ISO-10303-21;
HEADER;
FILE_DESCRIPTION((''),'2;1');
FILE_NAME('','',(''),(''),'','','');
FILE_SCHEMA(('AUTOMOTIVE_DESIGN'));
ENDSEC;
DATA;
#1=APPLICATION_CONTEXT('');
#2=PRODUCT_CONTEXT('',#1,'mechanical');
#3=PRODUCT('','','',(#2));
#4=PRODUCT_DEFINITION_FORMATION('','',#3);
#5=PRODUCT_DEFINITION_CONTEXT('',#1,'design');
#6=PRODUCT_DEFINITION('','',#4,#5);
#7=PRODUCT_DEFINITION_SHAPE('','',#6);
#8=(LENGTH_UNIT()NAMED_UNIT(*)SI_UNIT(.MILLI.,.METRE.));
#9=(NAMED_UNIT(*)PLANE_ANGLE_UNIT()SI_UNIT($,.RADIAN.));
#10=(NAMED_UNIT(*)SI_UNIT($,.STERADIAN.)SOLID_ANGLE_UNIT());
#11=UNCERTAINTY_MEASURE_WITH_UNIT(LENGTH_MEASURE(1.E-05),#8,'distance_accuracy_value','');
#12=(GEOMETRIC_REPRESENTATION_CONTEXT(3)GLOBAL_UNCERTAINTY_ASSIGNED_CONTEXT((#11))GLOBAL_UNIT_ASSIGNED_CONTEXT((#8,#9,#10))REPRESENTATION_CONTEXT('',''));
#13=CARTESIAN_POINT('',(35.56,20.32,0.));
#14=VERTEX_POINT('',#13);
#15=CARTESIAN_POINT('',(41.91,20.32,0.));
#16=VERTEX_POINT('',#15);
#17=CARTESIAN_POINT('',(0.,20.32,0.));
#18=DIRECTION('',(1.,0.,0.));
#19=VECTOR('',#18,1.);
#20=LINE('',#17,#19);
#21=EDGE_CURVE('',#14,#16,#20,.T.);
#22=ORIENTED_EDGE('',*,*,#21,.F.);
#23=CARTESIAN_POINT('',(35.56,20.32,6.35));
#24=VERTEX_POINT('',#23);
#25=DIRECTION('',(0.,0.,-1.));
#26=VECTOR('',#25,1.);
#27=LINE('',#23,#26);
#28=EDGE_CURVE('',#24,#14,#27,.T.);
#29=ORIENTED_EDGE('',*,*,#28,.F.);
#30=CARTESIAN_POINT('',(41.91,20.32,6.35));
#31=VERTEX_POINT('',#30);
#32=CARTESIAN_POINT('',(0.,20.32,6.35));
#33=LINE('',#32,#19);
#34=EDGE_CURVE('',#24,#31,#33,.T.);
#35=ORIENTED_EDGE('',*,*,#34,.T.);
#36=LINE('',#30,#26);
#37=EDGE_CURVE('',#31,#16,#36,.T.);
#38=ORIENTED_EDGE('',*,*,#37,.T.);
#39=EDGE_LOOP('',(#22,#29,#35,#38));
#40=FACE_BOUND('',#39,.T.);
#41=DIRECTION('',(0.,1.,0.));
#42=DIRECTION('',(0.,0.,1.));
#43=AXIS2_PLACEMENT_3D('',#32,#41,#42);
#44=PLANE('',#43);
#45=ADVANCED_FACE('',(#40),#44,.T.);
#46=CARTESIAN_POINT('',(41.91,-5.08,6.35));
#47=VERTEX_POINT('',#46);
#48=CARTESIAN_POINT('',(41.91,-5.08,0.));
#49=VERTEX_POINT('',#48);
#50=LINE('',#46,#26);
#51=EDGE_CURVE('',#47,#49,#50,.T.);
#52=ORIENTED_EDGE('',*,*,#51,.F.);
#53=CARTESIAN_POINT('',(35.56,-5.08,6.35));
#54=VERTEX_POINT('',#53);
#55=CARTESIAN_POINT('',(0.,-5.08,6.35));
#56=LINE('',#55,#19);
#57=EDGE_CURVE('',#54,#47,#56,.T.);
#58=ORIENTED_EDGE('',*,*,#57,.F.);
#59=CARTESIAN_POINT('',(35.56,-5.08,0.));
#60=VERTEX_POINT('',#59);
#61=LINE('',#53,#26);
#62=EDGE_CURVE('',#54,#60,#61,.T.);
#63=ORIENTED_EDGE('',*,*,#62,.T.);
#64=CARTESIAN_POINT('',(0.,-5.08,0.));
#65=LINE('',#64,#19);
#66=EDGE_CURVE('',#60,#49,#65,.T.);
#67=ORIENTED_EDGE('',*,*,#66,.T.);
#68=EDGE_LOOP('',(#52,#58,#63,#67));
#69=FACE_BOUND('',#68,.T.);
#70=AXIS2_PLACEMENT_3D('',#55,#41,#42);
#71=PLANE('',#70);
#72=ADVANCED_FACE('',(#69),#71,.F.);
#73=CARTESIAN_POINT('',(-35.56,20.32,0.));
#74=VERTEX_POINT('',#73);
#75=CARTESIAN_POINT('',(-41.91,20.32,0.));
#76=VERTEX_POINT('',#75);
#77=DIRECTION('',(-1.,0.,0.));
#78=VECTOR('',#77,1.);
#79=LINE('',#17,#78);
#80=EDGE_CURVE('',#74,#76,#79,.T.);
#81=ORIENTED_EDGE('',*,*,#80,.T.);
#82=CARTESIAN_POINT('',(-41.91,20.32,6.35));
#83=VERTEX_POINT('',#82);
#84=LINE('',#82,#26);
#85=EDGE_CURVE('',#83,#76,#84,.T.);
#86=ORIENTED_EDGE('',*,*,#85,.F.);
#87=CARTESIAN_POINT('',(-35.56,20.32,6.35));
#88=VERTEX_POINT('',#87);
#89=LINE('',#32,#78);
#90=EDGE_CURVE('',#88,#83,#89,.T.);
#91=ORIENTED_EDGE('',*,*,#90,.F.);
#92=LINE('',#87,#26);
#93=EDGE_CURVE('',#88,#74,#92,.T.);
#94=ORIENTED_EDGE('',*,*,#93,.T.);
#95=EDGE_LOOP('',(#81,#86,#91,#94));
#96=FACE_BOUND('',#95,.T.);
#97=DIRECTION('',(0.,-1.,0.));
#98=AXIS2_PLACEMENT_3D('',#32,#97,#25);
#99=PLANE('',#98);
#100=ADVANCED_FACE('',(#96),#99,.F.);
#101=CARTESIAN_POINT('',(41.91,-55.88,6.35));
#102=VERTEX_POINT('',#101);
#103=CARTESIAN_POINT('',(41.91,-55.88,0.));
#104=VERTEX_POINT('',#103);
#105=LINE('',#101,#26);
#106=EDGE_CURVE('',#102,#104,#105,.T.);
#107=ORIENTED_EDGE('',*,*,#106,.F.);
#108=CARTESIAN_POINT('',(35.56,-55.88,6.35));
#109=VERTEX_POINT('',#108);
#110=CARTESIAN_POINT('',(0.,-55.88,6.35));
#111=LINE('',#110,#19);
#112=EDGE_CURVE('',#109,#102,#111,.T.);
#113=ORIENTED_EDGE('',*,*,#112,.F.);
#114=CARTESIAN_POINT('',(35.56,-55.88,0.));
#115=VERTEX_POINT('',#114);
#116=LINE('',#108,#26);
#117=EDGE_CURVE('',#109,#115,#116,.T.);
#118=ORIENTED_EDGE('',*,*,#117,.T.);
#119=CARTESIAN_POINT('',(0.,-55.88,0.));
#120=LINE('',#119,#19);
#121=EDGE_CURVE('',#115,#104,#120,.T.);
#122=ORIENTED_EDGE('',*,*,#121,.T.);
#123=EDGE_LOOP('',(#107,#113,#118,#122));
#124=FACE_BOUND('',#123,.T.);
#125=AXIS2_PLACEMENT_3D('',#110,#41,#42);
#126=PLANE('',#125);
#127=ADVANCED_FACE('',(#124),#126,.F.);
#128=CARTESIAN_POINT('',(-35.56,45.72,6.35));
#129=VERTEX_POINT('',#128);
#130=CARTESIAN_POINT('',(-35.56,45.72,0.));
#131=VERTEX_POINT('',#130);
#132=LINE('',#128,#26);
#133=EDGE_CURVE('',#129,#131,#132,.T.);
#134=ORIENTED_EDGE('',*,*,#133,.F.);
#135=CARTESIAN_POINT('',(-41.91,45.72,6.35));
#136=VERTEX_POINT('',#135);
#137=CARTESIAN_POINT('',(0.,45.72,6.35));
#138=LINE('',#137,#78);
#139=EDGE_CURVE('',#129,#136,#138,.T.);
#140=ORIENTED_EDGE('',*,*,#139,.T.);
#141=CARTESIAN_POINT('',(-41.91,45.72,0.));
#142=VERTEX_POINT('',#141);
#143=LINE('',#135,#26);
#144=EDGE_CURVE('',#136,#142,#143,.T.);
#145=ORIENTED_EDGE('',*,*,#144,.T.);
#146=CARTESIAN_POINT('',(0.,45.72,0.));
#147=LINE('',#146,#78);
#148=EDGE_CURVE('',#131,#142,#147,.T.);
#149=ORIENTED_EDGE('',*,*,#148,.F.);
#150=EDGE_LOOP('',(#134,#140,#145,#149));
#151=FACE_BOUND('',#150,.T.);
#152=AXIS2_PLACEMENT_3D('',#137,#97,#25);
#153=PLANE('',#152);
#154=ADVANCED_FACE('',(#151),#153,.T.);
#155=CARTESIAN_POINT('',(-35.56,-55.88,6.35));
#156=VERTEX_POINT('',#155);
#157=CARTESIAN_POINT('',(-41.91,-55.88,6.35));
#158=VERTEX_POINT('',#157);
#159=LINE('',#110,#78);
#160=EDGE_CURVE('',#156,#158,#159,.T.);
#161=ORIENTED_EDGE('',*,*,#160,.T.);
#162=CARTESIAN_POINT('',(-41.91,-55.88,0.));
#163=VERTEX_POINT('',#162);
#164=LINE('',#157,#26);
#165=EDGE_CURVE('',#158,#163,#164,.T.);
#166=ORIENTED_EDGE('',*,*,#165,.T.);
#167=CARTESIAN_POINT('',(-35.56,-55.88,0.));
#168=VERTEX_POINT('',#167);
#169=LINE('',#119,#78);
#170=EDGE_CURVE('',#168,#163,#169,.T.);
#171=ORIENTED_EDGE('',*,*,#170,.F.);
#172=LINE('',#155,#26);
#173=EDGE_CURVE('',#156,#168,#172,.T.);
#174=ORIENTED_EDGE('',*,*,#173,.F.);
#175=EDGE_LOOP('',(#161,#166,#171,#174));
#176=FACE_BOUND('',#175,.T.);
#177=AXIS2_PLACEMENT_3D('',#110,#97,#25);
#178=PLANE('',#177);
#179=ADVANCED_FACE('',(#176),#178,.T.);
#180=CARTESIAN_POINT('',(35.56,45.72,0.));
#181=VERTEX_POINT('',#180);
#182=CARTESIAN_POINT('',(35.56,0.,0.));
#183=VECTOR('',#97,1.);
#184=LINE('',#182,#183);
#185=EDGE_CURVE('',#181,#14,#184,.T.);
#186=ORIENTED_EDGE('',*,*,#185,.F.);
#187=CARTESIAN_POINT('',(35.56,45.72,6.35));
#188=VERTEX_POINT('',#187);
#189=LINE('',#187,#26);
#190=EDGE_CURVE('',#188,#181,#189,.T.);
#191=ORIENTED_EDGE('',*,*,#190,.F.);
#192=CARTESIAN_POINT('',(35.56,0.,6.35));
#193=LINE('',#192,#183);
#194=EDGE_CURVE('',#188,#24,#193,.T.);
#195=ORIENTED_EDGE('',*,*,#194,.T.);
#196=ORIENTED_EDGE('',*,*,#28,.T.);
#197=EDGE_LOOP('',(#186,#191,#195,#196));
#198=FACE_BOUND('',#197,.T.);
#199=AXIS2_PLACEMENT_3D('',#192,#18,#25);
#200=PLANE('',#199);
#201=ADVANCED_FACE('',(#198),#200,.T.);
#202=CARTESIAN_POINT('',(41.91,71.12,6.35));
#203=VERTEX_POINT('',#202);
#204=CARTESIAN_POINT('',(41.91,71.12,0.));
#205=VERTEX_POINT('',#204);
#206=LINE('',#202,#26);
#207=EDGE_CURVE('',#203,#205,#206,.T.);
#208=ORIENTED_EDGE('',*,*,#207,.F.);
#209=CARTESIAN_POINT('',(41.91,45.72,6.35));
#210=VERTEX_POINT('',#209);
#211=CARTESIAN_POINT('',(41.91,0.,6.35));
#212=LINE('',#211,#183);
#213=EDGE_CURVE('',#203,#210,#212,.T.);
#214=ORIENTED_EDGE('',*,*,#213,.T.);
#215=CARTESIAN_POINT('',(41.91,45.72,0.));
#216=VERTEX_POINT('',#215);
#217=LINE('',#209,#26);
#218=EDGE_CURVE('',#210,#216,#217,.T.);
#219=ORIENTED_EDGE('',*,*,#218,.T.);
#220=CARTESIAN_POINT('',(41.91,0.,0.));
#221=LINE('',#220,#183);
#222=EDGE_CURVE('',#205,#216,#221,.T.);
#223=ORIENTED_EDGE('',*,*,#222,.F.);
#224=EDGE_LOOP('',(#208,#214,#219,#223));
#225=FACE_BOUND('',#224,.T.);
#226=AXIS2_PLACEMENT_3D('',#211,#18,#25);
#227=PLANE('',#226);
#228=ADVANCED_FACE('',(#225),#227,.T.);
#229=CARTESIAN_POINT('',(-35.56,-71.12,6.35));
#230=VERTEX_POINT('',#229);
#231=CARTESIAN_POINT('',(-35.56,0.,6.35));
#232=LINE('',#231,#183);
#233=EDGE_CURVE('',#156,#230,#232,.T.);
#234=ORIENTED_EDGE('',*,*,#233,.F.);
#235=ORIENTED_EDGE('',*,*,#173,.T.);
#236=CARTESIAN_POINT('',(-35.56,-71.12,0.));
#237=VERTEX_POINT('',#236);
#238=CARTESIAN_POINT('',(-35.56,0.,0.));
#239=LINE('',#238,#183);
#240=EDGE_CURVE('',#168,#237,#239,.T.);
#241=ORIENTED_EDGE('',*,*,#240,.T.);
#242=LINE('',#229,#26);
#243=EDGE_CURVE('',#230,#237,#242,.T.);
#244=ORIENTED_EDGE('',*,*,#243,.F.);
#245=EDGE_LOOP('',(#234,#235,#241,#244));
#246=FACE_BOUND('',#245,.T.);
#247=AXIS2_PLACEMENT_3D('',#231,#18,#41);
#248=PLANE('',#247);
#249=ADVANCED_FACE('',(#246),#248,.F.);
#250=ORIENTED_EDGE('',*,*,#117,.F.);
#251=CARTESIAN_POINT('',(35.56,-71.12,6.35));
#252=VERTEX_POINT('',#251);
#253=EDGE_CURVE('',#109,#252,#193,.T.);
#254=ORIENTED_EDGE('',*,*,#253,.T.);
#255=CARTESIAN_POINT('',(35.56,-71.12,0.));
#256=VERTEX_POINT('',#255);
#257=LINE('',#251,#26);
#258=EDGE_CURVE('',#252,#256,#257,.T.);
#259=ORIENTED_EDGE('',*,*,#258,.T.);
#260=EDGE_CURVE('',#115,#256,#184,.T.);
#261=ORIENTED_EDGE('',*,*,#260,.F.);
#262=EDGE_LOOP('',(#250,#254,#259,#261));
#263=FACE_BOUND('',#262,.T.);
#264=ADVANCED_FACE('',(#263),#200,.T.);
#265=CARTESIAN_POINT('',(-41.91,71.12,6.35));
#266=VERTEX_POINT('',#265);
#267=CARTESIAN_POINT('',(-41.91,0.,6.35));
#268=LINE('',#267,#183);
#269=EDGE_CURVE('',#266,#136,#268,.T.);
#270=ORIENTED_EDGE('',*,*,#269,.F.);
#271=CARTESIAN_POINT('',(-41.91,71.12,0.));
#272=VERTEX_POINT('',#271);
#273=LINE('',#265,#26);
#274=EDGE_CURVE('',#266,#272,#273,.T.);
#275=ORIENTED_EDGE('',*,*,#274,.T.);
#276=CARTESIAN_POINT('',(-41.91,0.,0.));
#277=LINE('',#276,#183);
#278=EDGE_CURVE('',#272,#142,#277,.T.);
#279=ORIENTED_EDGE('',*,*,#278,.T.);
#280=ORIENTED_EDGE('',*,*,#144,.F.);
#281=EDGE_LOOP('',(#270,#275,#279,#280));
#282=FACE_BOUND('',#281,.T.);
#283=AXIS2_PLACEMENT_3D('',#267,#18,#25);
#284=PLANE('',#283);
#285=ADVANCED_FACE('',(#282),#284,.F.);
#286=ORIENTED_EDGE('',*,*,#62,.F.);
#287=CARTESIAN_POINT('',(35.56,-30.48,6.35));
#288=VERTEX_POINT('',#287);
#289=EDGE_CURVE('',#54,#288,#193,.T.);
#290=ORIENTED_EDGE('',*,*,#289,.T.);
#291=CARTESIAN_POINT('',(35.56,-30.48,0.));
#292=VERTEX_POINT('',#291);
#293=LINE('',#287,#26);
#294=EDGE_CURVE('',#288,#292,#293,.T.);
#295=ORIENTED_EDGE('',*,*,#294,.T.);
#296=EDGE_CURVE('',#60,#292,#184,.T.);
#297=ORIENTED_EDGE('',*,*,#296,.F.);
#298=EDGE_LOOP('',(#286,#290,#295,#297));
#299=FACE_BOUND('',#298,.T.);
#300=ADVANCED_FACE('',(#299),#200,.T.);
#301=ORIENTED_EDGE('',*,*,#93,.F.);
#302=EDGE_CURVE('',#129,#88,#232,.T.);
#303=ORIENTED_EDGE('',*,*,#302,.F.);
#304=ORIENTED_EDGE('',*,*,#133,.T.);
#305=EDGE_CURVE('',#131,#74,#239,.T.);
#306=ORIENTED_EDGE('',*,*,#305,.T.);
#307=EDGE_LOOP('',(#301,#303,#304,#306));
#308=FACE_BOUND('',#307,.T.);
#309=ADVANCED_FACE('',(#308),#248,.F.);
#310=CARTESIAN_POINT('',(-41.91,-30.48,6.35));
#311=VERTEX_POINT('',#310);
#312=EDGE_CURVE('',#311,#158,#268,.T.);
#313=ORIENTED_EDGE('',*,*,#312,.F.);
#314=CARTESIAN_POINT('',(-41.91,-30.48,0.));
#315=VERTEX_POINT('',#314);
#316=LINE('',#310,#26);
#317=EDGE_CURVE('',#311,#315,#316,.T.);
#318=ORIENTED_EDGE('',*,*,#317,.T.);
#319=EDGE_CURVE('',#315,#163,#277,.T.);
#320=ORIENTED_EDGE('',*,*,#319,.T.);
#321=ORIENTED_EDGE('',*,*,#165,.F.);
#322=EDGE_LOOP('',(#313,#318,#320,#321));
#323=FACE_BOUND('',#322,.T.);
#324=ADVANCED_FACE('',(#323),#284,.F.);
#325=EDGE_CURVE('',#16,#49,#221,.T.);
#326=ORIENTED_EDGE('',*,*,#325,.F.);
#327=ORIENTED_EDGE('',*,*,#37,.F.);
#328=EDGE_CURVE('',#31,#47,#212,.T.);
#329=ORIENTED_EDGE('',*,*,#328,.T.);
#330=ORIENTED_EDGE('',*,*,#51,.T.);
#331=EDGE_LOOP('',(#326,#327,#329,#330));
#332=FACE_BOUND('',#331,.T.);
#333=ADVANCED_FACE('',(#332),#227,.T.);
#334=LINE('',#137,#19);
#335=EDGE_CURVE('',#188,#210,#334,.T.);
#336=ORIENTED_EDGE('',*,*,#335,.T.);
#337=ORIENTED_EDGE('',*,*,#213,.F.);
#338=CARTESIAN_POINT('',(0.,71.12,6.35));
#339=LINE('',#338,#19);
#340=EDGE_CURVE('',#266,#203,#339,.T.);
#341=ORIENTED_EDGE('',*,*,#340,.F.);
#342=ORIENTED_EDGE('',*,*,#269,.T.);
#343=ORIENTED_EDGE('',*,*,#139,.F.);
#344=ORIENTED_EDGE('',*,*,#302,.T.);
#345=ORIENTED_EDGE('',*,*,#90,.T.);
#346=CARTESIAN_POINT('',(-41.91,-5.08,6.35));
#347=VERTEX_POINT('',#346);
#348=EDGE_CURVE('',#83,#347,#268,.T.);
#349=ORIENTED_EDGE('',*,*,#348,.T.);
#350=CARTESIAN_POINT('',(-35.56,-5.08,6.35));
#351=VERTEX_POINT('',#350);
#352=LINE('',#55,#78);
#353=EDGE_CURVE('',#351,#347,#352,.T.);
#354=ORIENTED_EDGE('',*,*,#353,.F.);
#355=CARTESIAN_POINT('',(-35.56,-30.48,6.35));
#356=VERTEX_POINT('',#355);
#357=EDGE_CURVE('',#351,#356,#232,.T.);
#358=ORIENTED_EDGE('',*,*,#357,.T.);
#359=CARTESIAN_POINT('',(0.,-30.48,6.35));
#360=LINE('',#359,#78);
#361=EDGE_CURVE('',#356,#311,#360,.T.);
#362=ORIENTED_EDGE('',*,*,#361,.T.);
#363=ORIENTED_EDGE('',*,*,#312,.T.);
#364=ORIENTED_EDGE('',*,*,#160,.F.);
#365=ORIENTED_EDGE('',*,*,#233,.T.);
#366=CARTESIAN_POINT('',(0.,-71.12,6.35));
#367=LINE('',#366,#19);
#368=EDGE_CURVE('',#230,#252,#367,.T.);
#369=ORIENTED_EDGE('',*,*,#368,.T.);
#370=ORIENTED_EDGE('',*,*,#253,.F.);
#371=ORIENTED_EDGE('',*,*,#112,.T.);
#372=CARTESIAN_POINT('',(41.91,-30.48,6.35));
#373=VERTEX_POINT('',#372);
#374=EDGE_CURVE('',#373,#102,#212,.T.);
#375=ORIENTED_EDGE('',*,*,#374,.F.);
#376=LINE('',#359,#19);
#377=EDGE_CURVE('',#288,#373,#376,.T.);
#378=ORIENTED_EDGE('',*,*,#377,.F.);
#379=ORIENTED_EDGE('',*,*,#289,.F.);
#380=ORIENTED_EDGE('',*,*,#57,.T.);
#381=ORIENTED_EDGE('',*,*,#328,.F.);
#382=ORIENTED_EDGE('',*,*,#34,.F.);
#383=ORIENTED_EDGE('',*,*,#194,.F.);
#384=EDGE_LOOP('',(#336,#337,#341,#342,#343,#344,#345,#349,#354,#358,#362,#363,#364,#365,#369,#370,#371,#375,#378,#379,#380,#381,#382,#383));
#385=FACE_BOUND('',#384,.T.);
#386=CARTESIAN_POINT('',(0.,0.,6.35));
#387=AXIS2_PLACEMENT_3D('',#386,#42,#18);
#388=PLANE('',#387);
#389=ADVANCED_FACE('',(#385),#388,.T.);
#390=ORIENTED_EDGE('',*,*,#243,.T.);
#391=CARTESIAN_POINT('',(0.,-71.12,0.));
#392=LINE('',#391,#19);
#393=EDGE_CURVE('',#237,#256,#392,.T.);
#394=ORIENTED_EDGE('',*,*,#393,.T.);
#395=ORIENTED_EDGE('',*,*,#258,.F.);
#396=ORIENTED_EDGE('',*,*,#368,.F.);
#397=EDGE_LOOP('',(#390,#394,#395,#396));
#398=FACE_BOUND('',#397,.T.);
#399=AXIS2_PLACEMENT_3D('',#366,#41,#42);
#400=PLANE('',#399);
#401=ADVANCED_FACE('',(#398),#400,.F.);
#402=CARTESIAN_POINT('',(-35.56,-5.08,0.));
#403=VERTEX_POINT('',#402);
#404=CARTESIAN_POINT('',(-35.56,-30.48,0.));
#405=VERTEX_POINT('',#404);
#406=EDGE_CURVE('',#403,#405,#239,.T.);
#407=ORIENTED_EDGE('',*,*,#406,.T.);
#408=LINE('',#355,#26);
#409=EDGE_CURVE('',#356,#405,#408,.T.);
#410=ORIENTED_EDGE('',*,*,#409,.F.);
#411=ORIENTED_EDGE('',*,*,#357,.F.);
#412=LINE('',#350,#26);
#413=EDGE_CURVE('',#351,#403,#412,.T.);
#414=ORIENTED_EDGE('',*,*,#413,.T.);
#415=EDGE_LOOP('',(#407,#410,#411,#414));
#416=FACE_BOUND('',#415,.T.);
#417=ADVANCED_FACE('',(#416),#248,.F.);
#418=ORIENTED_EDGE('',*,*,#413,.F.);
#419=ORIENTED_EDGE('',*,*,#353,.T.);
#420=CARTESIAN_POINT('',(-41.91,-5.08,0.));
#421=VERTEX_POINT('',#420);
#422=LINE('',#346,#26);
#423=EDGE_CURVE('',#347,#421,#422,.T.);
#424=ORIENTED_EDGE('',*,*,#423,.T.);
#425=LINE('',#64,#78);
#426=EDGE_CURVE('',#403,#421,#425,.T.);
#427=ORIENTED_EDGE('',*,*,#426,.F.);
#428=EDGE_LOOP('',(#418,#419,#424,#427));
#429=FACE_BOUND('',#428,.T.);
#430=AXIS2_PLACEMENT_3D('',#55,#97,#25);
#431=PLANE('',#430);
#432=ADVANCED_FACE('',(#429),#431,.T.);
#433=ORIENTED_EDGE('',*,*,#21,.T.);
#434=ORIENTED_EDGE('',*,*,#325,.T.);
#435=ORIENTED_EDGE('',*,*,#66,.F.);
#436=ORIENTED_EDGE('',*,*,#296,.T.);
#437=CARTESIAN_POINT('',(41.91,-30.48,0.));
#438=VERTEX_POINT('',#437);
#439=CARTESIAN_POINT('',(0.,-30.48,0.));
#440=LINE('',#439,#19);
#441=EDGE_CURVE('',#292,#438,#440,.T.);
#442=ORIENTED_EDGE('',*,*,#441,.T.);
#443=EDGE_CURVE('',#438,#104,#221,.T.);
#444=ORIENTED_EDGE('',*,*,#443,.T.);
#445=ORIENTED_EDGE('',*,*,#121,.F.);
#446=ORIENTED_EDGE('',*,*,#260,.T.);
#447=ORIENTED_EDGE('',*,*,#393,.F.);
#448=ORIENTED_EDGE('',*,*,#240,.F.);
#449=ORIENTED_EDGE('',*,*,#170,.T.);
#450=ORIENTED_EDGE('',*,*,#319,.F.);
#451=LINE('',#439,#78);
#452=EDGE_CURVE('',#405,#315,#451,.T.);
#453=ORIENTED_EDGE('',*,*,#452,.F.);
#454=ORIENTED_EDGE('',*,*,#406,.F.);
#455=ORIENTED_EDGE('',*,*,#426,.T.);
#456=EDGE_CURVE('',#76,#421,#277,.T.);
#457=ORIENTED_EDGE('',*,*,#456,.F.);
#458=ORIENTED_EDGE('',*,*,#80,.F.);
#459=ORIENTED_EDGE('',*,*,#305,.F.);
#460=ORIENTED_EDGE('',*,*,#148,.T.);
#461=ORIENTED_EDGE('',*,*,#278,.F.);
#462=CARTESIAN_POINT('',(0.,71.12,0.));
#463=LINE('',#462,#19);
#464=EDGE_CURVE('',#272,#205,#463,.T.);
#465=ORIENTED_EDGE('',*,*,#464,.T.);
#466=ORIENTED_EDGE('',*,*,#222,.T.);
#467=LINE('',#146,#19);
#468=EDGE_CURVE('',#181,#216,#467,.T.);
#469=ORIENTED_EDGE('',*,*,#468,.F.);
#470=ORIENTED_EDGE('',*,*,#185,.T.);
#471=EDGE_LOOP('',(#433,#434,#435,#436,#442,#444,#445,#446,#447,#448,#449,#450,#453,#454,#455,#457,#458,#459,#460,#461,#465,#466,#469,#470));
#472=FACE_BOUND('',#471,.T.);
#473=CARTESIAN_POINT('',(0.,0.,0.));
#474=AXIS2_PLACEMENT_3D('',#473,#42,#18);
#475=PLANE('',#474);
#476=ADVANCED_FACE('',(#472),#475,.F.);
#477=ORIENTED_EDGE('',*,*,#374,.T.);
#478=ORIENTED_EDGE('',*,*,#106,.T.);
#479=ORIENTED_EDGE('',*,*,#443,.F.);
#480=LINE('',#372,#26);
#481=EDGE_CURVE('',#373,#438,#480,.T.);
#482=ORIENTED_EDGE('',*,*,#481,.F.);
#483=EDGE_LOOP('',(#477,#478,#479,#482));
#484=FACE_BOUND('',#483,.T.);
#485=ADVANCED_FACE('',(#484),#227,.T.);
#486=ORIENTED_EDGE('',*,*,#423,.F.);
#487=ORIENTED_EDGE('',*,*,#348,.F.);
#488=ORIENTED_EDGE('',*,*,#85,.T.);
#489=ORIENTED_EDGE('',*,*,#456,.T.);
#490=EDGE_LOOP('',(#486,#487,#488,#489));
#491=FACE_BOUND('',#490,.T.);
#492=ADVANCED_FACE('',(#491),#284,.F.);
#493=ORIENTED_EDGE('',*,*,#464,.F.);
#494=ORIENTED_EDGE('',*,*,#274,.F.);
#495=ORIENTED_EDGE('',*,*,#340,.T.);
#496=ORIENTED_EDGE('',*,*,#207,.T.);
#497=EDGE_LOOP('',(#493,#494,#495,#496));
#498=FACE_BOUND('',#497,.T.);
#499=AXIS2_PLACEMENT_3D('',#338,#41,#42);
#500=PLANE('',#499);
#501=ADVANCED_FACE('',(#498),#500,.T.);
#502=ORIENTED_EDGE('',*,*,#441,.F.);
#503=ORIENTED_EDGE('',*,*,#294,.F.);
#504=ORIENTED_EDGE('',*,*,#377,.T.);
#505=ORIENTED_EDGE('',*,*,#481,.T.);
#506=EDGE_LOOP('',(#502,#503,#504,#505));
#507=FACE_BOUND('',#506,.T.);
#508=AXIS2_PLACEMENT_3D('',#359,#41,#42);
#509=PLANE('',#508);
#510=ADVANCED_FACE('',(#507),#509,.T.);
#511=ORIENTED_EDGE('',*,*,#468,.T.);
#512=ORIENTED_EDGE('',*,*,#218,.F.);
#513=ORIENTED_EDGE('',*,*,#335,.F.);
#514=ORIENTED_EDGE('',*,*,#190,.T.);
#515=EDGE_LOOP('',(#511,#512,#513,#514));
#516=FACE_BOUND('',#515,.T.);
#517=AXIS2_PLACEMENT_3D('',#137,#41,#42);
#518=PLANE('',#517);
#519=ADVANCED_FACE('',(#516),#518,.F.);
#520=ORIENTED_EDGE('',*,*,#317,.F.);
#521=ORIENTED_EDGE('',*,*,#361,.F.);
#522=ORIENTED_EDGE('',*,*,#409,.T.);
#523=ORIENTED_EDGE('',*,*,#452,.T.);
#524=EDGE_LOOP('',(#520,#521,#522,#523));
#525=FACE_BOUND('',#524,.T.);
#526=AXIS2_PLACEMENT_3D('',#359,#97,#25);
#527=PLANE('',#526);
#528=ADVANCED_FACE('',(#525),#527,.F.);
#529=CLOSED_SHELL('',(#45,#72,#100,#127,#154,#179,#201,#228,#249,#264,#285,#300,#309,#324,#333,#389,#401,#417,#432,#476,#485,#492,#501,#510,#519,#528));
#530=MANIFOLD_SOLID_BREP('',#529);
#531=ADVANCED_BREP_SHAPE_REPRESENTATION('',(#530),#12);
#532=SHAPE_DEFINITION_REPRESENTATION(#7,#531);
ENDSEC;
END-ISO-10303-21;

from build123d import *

# Parameters (mm, degrees)
BOSS_EXTRUDE1_DEPTH = 6.35


with BuildPart() as part:
    # Sketch1 → Boss-Extrude1 (new body)
    with BuildSketch(Plane.XY):
        Polygon((-41.91, 45.72), (-35.56, 45.72), (-35.56, 20.32), (-41.91, 20.32), (-41.91, -5.08), (-35.56, -5.08), (-35.56, -30.48), (-41.91, -30.48), (-41.91, -55.88), (-35.56, -55.88), (-35.56, -71.12), (35.56, -71.12), (35.56, -55.88), (41.91, -55.88), (41.91, -30.48), (35.56, -30.48), (35.56, -5.08), (41.91, -5.08), (41.91, 20.32), (35.56, 20.32), (35.56, 45.72), (41.91, 45.72), (41.91, 71.12), (-41.91, 71.12), align=None)
    extrude(amount=BOSS_EXTRUDE1_DEPTH)


solid = part.part
